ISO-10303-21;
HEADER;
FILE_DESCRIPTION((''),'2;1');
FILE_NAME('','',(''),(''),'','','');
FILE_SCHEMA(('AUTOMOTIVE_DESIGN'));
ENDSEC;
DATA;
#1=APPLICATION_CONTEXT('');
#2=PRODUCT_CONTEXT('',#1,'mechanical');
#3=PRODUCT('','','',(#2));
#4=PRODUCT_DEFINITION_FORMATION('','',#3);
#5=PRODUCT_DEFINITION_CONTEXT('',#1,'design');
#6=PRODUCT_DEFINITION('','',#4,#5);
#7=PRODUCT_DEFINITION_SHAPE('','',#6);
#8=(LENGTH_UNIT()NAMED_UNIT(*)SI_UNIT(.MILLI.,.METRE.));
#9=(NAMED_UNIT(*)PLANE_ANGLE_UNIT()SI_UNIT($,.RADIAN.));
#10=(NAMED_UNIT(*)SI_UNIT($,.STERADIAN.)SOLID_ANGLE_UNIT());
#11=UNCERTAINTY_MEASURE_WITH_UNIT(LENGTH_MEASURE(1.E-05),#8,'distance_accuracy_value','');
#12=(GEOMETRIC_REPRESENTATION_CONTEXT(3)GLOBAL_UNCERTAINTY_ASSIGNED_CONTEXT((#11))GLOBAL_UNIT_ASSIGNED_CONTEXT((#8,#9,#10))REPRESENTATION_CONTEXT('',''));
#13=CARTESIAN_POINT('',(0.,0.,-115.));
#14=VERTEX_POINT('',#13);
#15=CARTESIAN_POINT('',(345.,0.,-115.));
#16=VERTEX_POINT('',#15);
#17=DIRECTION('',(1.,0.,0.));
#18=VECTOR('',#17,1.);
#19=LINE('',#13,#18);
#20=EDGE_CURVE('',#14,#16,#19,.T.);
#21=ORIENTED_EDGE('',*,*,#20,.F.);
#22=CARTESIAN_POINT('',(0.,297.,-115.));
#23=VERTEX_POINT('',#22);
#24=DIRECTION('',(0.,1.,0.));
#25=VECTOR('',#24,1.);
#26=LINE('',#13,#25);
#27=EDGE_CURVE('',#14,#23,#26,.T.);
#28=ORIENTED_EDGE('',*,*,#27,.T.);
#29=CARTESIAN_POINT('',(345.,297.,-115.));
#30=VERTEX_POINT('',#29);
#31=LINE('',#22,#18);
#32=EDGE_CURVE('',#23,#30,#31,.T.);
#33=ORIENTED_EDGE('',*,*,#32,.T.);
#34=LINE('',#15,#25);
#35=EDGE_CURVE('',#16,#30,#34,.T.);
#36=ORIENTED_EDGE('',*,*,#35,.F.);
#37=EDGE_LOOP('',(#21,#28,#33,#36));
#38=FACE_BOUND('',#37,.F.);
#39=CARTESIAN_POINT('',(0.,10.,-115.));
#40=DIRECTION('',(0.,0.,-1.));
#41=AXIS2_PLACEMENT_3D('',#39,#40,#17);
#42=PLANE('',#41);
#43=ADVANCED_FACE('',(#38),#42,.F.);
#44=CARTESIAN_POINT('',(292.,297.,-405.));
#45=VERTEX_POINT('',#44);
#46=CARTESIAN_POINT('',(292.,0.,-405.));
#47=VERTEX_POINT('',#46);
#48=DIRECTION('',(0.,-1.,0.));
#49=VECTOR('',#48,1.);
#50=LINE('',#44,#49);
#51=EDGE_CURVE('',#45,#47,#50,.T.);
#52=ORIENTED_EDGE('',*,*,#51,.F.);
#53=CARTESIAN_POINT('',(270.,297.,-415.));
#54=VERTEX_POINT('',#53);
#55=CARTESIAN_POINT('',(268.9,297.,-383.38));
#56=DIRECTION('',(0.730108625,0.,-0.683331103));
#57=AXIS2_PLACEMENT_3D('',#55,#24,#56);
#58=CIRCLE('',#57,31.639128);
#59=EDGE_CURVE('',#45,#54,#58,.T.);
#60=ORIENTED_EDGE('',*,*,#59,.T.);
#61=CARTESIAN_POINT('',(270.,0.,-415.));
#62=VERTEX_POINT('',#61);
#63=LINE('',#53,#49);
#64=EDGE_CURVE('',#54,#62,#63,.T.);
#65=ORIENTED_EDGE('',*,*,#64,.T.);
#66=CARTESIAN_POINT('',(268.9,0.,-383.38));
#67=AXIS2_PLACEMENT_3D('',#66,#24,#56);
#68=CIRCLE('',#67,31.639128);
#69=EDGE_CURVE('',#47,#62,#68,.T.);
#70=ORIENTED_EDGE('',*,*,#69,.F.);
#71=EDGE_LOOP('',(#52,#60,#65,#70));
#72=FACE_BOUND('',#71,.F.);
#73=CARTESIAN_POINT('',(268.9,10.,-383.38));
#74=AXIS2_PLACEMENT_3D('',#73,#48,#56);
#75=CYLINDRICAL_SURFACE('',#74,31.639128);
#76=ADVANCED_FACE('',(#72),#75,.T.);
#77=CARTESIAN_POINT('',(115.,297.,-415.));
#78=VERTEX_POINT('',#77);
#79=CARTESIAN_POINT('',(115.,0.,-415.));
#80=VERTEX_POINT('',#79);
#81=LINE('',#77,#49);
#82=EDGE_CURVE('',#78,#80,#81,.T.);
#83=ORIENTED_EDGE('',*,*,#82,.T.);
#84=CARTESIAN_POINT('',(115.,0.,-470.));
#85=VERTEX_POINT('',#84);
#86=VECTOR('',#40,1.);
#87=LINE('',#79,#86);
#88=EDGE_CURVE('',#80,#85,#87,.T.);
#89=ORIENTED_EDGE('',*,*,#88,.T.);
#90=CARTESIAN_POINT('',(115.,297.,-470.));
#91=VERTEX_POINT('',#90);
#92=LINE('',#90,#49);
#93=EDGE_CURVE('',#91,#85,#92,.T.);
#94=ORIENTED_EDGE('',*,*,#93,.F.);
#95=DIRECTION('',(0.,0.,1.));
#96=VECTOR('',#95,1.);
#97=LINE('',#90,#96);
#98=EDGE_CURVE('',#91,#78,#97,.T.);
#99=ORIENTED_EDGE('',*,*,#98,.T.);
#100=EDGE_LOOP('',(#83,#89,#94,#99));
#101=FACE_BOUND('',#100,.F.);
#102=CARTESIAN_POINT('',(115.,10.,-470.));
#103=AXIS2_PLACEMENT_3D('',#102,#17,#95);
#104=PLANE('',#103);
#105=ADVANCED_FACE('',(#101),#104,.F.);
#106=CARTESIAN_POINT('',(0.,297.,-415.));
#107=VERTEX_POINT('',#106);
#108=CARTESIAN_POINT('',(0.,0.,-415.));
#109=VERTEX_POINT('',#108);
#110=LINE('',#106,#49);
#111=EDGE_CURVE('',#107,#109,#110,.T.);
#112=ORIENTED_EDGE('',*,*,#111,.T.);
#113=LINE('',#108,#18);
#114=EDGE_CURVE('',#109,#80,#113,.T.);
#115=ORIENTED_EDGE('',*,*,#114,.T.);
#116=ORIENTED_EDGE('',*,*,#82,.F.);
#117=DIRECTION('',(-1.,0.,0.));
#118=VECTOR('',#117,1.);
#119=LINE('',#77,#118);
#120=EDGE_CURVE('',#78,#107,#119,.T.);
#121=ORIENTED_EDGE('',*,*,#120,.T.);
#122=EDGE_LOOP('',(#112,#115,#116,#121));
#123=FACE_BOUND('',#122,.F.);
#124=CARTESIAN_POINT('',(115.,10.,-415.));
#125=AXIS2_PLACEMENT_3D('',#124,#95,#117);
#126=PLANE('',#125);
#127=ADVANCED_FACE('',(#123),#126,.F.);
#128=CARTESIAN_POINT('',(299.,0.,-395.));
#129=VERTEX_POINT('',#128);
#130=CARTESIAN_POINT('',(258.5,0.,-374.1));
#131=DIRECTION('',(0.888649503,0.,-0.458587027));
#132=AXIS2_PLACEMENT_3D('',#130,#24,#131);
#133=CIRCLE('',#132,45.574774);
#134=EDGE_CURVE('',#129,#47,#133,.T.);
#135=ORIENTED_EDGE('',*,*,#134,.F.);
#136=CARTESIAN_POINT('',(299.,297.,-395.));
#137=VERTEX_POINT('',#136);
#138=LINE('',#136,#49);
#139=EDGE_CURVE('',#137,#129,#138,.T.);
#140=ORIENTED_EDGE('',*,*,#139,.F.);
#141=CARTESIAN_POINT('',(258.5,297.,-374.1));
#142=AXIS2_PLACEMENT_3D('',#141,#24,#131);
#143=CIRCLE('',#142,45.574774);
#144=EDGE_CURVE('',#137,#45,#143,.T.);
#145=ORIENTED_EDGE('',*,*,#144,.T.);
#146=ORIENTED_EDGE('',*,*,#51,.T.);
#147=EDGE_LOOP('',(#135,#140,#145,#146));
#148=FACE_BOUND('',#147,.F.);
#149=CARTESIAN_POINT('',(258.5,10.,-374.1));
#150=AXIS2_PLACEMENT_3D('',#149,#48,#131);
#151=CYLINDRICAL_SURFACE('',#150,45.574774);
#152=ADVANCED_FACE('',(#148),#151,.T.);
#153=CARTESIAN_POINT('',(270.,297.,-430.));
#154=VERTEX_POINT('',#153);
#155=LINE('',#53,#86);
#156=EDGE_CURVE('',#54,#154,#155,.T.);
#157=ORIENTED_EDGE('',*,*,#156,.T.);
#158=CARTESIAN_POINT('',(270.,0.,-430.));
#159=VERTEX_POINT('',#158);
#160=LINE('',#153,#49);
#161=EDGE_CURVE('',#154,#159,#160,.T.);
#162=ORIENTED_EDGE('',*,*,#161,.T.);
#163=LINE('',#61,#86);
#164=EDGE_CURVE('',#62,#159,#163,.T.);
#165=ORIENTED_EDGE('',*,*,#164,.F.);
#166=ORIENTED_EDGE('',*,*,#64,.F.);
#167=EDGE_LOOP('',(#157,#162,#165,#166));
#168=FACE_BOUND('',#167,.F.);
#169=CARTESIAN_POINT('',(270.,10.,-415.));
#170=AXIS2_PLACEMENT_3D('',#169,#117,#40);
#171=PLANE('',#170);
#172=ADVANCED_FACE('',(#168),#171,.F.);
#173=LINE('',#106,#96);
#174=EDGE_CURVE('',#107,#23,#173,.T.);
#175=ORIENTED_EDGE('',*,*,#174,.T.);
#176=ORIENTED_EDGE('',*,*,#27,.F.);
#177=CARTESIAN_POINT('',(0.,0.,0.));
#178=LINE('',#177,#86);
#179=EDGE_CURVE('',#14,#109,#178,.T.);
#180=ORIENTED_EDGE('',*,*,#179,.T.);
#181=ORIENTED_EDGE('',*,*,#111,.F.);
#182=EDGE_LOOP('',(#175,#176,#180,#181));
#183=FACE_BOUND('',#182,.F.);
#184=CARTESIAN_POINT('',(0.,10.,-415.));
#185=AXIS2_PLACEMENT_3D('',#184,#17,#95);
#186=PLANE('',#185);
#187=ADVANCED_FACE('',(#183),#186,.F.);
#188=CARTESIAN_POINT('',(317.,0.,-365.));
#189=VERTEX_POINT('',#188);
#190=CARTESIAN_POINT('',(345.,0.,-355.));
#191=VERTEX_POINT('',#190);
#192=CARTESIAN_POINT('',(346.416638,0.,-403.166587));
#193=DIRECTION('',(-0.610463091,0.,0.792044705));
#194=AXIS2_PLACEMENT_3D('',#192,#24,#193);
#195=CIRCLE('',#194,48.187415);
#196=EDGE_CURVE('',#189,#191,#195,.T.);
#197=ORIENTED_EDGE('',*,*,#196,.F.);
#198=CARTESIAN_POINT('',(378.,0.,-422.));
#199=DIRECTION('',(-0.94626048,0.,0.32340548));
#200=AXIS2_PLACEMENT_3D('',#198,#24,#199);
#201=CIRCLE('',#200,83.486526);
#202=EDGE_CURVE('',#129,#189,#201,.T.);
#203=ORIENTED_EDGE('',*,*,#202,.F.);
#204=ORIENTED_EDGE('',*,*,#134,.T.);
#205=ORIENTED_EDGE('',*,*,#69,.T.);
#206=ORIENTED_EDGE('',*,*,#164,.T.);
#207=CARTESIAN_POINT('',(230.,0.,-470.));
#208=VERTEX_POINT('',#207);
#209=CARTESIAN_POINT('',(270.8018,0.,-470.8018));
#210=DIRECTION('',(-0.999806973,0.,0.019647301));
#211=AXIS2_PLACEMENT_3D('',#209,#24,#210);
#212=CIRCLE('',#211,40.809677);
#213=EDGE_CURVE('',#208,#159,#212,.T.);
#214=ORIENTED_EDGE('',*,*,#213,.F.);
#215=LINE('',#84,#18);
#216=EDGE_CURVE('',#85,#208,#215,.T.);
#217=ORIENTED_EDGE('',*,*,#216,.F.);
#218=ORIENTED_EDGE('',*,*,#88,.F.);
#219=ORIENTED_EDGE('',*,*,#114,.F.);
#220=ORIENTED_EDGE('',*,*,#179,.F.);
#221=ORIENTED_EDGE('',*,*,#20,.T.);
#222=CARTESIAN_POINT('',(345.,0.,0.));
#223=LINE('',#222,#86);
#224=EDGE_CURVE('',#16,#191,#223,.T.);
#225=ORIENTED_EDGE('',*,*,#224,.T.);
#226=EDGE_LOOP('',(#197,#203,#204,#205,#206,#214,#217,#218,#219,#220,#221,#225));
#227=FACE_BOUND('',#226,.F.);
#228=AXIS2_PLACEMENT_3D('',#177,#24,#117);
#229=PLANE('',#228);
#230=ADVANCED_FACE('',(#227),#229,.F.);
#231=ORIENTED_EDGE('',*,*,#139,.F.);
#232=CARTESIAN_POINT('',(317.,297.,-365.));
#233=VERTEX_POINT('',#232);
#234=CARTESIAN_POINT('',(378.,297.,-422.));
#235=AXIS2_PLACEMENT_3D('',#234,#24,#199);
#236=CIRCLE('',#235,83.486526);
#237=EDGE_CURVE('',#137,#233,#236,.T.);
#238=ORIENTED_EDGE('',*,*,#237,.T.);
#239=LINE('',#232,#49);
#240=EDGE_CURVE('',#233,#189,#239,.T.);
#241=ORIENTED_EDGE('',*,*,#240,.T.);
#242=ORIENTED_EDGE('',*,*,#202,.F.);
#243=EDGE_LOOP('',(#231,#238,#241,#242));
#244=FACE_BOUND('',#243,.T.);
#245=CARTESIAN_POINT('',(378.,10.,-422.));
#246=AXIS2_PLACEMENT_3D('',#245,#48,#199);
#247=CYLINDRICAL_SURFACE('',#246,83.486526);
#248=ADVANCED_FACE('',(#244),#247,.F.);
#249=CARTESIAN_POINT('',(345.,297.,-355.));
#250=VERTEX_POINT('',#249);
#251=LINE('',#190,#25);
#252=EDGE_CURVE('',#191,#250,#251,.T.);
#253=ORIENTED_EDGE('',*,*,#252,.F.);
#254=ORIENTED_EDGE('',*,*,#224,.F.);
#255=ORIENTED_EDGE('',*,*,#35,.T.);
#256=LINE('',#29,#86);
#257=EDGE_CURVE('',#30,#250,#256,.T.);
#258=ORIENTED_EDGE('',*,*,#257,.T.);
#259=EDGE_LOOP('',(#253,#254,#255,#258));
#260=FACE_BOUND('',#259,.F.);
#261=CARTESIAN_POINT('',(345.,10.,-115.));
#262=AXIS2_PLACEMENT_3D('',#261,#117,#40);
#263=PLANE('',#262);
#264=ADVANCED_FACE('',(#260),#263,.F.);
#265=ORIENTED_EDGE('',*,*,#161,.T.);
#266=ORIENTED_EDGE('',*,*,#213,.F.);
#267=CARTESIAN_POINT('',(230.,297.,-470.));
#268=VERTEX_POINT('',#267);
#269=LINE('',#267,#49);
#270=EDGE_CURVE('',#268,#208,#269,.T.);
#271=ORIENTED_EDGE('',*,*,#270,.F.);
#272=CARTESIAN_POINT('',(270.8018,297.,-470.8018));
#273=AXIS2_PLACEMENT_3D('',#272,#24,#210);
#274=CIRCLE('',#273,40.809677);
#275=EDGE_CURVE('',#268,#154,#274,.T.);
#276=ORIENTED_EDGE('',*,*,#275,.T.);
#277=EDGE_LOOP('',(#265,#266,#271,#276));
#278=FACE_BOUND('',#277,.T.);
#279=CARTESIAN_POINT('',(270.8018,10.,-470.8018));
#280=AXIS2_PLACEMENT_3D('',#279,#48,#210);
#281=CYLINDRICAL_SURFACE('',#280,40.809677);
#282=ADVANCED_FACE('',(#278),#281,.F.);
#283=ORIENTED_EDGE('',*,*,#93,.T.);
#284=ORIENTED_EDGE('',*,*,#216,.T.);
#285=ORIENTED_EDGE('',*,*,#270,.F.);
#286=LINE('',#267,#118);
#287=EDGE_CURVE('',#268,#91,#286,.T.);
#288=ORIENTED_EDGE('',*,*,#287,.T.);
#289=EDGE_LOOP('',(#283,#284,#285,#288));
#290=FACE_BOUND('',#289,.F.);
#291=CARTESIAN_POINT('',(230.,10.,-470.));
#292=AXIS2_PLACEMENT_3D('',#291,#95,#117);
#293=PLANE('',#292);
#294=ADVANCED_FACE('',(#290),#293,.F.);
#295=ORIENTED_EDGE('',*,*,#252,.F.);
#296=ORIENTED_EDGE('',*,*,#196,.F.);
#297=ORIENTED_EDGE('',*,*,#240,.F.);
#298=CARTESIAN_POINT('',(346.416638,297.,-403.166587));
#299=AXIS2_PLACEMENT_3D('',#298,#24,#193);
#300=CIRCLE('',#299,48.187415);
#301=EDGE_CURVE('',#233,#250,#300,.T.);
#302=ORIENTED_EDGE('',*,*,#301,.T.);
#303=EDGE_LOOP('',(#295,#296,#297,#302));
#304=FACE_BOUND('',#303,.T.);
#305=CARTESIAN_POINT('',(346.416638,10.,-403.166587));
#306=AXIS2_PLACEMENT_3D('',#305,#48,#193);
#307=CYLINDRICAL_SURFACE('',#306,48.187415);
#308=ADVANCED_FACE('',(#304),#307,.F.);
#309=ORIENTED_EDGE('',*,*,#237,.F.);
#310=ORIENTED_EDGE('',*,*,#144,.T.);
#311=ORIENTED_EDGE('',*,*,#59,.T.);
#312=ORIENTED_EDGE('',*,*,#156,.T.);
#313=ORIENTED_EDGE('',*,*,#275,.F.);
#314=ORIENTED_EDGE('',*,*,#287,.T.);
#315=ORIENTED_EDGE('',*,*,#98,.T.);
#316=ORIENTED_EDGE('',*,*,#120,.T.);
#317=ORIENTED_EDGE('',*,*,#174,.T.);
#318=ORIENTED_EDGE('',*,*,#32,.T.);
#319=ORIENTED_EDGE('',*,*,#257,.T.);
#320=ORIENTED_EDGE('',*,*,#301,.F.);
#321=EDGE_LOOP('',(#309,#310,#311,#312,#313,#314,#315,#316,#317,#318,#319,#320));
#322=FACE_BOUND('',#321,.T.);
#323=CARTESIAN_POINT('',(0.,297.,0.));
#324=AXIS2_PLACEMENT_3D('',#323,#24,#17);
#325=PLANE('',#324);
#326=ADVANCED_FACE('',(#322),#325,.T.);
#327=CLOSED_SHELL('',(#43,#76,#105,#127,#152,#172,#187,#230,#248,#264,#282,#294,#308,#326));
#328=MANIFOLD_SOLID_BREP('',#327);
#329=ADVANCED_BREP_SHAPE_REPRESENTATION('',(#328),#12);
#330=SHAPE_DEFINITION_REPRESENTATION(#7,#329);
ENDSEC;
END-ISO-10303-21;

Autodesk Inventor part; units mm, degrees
ref_plane "YZ Plane" through (0, 0, 0) normal (1, 0, 0) x (0, 1, 0)
ref_plane "XZ Plane" through (0, 0, 0) normal (0, 1, 0) x (-1, 0, 0)
ref_plane "XY Plane" through (0, 0, 0) normal (0, 0, 1) x (1, 0, 0)
sketch "Sketch1" plane through (0, 0, 0) normal (0, 1, 0) x (-1, 0, 0)
  line L0 (0, 0) -> (0, -415)
  line L1 (0, -415) -> (-115, -415)
  line L2 (-115, -415) -> (-115, -470)
  line L3 (-115, -470) -> (-230, -470)
  line L4 (-230, -470) -> (-345, -470) construction
  line L5 (0, 0) -> (-345, 0)
  line L6 (-345, 0) -> (-345, -355)
  line L7 (-270, -415) -> (-270, -430)
  arc A0 (-230, -470) -> (-270, -430) centre (-270.8018, -470.8018) ccw
  line L8 (-345, -355) -> (-345, -360) construction
  line L9 (-345, -360) -> (-325, -360) construction
  line L10 (-345, -360) -> (-345, -365) construction
  line L11 (-345, -365) -> (-345, -370) construction
  line L12 (-345, -370) -> (-345, -375) construction
  line L13 (-345, -375) -> (-345, -380) construction
  line L14 (-345, -365) -> (-317, -365) construction
  line L15 (-345, -370) -> (-312, -370) construction
  line L16 (-345, -375) -> (-309, -375) construction
  line L17 (-345, -380) -> (-306, -380) construction
  line L18 (-345, -380) -> (-345, -385) construction
  line L19 (-345, -385) -> (-345, -390) construction
  line L20 (-345, -390) -> (-345, -395) construction
  line L21 (-345, -395) -> (-345, -400) construction
  line L22 (-345, -400) -> (-345, -405) construction
  line L23 (-345, -405) -> (-345, -410) construction
  line L24 (-345, -385) -> (-303, -385) construction
  line L25 (-345, -390) -> (-301, -390) construction
  line L26 (-345, -395) -> (-299, -395) construction
  line L27 (-345, -400) -> (-296, -400) construction
  line L28 (-345, -405) -> (-292, -405) construction
  line L29 (-345, -410) -> (-286, -410) construction
  arc A1 (-292, -405) -> (-270, -415) centre (-268.9, -383.38) ccw
  arc A2 (-299, -395) -> (-292, -405) centre (-258.5, -374.1) ccw
  arc A3 (-299, -395) -> (-317, -365) centre (-378, -422) ccw
  arc A4 (-317, -365) -> (-345, -355) centre (-346.4167, -403.1667) ccw
  dimension "d0" = 415
  dimension "d1" = 115
  dimension "d2" = 55
  dimension "d3" = 115
  dimension "d4" = 115
  dimension "d5" = 345
  dimension "d6" = 355
  dimension "d7" = 15
  dimension "d8" = 155
  dimension "d9" = 40
  dimension "d17" = 5
  dimension "d18" = 20
  dimension "d19" = 5
  dimension "d20" = 5
  dimension "d21" = 5
  dimension "d22" = 5
  dimension "d23" = 28
  dimension "d24" = 33
  dimension "d25" = 36
  dimension "d26" = 39
  dimension "d27" = 5
  dimension "d28" = 5
  dimension "d29" = 5
  dimension "d30" = 5
  dimension "d31" = 5
  dimension "d32" = 5
  dimension "d34" = 42
  dimension "d35" = 44
  dimension "d36" = 46
  dimension "d37" = 49
  dimension "d38" = 53
  dimension "d39" = 59
  dimension "d43" = 62.5
extrude "Extrusion1" add sketch "Sketch1" along normal blind 10
sketch "Sketch2" plane through (0, 0, 0) normal (0, 0, 1) x (1, 0, 0)
  line L0 (0, 0) -> (345, 0) projected
  line L1 (345, 0) -> (345, 10) projected
  line L2 (0, 10) -> (345, 10) projected
  line L3 (0, 0) -> (0, 10) projected
extrude "Extrusion2" cut sketch "Sketch2" against normal blind 115
sketch "Sketch3" plane through (0, 10, 0) normal (0, 1, 0) x (1, 0, 0)
  line L0 (0, 115) -> (345, 115) projected
  line L1 (345, 115) -> (345, 355) projected
  arc A0 (317, 365) -> (345, 355) centre (346.4167, 403.1667) ccw projected
  arc A1 (299, 395) -> (317, 365) centre (378, 422) ccw projected
  arc A2 (299, 395) -> (292, 405) centre (258.5, 374.1) ccw projected
  arc A3 (292, 405) -> (270, 415) centre (268.9, 383.38) ccw projected
  line L2 (270, 415) -> (270, 430) projected
  arc A4 (230, 470) -> (270, 430) centre (270.8018, 470.8018) ccw projected
  line L3 (230, 470) -> (115, 470) projected
  line L4 (115, 470) -> (115, 415) projected
  line L5 (115, 415) -> (0, 415) projected
  line L6 (0, 415) -> (0, 115) projected
  point P0 (0, 0)
extrude "Extrusion3" add sketch "Sketch3" along normal blind 287
properties part number "Base Drawing"
